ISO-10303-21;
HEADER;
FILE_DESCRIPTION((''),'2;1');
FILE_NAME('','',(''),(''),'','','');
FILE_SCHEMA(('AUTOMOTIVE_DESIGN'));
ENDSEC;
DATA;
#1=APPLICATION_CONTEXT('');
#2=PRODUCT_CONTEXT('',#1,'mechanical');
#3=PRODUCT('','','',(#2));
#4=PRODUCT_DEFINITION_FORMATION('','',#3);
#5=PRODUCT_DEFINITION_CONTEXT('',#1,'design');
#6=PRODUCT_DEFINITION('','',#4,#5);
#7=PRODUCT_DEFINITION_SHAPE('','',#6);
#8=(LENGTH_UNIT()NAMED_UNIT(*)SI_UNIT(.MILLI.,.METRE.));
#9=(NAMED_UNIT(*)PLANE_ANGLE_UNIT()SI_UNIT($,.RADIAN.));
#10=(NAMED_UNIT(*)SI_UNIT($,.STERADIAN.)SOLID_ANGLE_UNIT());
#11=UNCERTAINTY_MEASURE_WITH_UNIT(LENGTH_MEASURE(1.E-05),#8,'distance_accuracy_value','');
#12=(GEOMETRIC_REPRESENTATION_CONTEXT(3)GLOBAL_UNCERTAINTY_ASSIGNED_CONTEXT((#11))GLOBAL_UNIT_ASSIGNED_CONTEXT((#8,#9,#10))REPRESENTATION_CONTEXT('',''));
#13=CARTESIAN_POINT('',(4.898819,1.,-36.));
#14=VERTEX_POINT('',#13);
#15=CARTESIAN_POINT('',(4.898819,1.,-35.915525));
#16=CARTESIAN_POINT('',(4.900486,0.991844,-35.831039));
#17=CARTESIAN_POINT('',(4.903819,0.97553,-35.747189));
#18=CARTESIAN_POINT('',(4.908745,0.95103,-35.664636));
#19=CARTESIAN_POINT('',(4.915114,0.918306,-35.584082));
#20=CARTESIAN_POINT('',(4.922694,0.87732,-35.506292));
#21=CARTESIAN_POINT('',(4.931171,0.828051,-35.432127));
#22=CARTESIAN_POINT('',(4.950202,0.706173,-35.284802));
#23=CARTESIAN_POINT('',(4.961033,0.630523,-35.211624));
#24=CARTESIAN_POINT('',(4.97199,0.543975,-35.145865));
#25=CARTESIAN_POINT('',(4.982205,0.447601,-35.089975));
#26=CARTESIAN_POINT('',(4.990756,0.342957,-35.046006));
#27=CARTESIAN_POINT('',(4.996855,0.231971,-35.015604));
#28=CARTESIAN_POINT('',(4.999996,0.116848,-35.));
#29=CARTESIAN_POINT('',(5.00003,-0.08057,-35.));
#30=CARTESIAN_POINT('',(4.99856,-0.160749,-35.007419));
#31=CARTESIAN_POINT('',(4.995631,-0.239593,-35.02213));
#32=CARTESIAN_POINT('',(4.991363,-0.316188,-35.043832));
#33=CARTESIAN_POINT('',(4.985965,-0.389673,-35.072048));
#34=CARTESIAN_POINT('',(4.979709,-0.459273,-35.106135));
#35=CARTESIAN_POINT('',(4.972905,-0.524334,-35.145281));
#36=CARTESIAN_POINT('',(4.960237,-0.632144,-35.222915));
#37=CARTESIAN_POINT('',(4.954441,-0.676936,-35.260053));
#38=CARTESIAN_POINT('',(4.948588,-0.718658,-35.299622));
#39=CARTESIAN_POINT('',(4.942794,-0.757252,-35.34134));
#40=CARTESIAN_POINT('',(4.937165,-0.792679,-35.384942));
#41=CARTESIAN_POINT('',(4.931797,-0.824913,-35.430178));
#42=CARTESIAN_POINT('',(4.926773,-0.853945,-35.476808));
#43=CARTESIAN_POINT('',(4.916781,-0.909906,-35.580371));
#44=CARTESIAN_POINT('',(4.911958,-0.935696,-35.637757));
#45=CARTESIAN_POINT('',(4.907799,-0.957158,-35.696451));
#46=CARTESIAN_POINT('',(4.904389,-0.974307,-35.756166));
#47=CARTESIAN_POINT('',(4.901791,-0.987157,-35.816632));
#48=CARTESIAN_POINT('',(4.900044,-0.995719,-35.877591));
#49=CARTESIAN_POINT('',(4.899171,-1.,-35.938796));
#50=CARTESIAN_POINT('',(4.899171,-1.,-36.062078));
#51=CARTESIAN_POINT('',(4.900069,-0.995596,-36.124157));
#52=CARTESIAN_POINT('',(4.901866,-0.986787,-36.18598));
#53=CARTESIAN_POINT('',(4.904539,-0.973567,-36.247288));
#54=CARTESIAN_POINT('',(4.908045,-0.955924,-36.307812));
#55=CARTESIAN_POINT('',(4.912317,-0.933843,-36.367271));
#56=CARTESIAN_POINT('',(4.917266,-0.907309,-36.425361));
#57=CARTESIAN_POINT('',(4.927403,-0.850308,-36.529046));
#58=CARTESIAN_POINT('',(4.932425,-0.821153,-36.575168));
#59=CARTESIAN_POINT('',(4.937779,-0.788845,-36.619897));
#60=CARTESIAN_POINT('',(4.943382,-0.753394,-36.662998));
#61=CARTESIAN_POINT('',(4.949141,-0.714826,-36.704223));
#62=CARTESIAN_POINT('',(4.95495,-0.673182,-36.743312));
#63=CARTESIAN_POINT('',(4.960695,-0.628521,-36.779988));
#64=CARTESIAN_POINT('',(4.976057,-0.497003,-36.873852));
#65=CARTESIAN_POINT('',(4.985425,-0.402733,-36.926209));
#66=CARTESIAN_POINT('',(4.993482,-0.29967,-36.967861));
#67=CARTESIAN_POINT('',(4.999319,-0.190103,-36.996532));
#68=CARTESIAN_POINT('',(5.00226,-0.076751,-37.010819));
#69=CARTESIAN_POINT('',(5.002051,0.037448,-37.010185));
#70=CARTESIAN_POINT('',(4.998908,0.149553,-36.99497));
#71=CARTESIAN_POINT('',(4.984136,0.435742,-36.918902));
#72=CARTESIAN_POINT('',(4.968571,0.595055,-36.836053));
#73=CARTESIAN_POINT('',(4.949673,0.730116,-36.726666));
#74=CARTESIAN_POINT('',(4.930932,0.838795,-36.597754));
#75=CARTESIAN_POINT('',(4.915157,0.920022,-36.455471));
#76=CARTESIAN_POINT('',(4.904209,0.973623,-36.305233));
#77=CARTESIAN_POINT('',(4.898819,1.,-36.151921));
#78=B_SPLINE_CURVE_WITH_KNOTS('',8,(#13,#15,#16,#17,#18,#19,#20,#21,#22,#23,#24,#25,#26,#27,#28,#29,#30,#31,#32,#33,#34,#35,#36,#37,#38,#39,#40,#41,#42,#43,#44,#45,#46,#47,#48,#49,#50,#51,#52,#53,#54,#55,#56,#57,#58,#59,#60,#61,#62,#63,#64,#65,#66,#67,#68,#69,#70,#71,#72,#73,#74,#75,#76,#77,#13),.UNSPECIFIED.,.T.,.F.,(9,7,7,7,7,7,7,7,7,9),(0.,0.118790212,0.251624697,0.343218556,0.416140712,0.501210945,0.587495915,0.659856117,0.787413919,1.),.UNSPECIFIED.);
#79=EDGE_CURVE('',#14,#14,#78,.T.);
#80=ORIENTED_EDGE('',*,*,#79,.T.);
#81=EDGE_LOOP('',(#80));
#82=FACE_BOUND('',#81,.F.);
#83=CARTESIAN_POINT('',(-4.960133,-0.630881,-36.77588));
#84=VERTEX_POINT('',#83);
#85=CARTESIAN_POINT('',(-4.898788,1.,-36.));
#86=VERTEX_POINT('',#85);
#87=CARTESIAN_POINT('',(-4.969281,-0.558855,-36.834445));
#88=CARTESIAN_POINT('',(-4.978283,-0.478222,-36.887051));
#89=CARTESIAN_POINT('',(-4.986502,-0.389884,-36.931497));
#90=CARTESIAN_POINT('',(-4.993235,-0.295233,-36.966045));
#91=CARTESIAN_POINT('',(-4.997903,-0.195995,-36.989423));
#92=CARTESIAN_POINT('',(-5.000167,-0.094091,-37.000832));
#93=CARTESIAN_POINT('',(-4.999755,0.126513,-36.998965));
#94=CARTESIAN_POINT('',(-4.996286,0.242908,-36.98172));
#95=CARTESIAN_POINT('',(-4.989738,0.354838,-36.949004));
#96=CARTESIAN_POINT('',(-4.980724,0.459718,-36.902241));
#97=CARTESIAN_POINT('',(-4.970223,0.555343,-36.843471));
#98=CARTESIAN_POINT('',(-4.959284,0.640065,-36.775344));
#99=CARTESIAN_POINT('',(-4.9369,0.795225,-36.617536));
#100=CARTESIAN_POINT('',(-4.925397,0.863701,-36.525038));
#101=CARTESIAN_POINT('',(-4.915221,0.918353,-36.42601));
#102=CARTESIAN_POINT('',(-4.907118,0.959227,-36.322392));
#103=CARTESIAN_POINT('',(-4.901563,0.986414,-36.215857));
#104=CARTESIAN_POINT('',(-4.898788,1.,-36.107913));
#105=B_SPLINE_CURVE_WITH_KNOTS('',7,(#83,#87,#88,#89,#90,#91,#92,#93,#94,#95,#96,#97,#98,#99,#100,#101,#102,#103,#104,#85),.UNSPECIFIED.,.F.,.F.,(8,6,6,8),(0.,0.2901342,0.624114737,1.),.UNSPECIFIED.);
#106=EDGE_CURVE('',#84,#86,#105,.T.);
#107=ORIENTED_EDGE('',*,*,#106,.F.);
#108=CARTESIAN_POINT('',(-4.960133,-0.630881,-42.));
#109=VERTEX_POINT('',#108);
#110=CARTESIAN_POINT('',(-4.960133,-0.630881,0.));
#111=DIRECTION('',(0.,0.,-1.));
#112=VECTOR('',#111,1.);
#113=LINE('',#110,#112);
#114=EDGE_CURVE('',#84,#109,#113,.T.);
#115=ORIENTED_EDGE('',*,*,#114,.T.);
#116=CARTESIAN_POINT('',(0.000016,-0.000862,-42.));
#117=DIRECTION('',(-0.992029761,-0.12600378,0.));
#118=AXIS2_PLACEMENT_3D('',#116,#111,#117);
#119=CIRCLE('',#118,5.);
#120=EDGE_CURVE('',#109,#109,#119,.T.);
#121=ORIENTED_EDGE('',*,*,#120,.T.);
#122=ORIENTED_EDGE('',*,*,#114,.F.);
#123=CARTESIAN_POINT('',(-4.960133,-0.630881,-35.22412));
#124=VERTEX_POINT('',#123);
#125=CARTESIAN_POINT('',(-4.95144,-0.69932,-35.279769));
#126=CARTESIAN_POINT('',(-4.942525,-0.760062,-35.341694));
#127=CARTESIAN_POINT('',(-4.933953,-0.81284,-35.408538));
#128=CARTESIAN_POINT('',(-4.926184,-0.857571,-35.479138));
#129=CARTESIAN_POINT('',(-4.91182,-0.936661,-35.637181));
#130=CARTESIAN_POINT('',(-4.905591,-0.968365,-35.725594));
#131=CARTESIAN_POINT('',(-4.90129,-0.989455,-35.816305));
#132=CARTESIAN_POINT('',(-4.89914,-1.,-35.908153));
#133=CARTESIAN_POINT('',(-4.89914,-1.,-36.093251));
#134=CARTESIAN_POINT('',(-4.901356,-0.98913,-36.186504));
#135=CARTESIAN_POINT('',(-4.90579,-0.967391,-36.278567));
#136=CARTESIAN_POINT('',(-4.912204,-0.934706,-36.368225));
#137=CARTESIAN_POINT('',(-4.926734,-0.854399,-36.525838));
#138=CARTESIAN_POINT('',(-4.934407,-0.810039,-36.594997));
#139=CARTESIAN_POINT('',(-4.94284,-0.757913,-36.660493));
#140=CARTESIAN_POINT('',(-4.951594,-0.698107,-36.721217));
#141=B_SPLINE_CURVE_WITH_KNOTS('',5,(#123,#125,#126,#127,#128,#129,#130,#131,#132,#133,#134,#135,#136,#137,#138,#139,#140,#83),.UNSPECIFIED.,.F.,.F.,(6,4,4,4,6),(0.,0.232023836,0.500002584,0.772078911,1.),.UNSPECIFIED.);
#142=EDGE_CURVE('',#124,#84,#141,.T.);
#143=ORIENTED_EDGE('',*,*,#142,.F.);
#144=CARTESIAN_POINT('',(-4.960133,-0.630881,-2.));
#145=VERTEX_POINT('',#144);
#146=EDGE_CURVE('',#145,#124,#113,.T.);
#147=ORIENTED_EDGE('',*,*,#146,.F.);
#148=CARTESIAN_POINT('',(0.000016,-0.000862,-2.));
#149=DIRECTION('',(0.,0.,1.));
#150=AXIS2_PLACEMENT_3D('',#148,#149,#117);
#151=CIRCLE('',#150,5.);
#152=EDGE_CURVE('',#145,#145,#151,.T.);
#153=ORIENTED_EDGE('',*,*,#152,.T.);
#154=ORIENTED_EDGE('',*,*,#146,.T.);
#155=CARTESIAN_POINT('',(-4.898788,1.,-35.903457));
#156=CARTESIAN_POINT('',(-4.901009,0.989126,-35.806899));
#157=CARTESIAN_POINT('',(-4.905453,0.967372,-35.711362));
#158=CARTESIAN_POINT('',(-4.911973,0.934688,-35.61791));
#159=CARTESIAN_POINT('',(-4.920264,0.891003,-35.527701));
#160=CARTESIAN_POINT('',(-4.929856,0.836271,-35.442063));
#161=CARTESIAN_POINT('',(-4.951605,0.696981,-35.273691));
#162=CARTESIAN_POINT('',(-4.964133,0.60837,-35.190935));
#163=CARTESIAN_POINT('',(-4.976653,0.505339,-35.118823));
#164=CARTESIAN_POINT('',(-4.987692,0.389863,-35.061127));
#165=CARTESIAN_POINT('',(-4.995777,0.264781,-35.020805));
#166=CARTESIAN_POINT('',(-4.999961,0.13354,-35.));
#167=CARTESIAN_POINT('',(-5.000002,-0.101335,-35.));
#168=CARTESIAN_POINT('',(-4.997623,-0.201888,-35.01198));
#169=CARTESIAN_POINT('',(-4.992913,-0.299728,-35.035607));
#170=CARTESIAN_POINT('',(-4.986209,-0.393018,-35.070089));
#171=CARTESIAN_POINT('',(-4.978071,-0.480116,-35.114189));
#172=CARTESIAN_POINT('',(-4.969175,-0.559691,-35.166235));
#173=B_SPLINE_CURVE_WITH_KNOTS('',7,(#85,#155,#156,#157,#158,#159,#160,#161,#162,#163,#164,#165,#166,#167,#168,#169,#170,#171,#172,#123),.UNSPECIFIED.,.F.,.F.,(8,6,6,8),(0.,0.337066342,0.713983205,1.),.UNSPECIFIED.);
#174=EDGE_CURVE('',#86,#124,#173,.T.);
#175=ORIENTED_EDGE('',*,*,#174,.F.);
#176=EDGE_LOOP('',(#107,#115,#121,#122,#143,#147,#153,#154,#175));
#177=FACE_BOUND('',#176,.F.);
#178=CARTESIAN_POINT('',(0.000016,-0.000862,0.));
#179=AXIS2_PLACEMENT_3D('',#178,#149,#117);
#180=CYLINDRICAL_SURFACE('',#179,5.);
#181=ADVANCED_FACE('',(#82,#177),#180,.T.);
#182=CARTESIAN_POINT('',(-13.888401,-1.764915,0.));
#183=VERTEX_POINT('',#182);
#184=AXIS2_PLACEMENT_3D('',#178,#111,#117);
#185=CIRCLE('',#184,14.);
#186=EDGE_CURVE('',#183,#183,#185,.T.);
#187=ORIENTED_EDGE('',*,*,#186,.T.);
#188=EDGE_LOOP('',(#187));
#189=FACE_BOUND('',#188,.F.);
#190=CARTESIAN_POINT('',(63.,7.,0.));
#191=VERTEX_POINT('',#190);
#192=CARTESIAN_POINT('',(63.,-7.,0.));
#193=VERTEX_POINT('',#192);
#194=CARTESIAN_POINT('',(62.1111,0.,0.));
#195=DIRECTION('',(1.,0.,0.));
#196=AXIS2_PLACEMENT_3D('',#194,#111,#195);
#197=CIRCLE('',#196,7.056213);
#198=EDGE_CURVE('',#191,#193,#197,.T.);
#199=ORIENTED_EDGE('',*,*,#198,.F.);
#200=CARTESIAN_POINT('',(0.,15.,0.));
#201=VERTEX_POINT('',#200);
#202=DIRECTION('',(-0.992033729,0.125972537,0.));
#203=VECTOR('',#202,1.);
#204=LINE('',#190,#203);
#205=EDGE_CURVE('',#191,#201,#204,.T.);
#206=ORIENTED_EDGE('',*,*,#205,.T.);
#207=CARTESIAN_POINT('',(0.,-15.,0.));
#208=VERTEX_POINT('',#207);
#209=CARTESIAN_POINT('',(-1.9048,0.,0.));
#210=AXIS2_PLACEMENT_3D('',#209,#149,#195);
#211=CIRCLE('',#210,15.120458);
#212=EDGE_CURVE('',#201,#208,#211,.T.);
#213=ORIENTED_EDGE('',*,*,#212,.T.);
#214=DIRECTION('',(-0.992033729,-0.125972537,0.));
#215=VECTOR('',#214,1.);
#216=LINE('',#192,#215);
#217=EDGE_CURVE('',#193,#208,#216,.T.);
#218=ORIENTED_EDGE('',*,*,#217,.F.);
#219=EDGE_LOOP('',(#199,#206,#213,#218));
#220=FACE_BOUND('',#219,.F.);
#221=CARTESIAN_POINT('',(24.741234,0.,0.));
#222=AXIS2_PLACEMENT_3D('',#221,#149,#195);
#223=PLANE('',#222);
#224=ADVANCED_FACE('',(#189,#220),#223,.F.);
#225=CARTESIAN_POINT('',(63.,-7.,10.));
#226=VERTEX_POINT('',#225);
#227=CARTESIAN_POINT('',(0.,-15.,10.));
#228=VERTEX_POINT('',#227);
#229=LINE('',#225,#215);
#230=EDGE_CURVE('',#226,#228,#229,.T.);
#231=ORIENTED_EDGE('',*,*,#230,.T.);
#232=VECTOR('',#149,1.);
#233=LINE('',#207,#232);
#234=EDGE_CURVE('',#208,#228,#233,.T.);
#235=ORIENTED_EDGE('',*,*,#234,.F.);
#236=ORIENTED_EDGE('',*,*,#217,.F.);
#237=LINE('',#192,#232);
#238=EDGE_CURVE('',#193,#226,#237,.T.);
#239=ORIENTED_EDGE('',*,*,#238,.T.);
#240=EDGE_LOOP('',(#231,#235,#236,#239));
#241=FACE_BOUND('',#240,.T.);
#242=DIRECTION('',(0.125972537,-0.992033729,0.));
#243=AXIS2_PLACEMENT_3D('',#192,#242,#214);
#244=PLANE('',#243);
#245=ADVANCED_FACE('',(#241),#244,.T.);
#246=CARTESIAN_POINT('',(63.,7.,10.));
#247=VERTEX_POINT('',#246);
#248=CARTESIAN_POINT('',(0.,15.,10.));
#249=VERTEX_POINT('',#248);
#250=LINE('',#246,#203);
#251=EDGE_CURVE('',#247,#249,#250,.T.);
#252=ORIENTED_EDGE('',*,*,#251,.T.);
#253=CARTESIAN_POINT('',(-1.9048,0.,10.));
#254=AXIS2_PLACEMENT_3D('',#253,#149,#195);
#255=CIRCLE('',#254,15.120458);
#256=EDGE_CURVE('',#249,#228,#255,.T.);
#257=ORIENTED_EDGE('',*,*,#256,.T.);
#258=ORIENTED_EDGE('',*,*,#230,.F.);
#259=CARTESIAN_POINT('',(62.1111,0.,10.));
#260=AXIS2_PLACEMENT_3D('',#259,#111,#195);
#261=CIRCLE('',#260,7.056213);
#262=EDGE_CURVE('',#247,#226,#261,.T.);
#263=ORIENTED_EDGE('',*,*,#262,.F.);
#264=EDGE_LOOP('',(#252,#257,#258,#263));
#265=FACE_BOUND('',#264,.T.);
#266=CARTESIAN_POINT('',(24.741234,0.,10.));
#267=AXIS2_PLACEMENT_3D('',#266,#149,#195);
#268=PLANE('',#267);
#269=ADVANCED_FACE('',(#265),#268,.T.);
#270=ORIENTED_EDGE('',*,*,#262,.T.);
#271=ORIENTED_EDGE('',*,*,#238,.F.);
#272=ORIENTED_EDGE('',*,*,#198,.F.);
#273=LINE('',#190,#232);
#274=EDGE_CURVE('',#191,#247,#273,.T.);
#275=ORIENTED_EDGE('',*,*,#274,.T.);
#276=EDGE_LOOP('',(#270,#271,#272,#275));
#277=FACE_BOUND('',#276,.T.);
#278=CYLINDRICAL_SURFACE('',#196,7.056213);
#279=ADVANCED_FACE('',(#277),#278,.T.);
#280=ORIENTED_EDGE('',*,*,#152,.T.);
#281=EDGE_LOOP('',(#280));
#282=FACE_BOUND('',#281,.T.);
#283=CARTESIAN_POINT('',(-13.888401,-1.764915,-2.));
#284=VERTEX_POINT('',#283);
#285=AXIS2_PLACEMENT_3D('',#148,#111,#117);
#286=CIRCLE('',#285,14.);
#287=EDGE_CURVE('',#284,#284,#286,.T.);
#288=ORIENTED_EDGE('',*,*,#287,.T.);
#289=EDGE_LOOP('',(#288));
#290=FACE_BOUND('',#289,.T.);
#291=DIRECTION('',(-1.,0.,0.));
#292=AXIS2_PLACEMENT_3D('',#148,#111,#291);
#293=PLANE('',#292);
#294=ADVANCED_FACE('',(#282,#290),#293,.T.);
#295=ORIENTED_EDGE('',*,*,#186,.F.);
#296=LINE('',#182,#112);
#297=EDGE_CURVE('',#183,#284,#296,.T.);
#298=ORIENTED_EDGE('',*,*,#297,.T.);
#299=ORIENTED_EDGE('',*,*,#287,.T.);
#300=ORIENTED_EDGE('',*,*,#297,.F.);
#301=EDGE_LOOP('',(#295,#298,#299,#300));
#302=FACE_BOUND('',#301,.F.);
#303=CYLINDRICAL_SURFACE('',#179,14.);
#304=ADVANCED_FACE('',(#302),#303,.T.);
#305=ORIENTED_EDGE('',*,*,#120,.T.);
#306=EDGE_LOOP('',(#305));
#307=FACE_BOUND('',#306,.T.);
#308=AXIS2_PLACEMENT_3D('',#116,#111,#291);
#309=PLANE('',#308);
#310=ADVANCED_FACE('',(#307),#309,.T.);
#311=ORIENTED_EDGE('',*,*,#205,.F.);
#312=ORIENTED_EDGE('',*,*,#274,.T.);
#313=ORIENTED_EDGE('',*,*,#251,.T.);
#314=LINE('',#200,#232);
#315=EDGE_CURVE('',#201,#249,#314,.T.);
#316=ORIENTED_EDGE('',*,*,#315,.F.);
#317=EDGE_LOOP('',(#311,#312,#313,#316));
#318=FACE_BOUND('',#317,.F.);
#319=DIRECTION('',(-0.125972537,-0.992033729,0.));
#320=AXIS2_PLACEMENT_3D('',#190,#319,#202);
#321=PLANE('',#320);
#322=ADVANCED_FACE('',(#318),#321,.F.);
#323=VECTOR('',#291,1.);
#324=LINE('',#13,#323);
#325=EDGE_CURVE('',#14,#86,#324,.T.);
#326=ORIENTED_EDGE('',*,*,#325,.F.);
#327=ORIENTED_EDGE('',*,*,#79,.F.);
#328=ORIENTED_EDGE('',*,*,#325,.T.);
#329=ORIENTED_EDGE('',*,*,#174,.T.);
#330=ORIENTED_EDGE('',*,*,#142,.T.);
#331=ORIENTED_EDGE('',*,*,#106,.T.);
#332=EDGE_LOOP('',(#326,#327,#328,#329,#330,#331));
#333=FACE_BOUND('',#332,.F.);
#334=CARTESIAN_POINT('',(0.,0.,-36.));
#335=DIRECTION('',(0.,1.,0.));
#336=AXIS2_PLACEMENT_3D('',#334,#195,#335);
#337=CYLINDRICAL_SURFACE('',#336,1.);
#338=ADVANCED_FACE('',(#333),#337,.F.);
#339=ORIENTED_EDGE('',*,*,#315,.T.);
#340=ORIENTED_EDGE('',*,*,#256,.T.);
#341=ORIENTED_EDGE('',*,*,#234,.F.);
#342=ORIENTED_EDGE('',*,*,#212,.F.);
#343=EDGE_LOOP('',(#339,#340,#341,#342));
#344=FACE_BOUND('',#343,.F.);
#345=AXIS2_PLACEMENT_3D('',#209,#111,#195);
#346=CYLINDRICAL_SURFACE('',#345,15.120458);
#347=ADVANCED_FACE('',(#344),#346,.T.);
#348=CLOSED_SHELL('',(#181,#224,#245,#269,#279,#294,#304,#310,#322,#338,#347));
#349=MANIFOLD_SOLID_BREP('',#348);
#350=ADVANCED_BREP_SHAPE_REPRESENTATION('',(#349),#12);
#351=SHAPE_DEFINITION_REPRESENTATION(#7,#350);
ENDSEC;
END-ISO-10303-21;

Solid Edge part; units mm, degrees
sketch "Sketch1" plane through (0, 0, 0) normal (0, 0, 1) x (1, 0, 0)
  line L0 (63, 7) -> (0, 15)
  arc A0 (0, 15) -> (0, -15) centre (-1.9048, 0) ccw
  line L1 (63, -7) -> (0, -15)
  arc A1 (63, 7) -> (63, -7) centre (62.1111, 0) cw
extrude "Protrusion1" add sketch "Sketch1" along normal blind 10
sketch "Sketch2" plane through (26.0711, 0, 0) normal (0, 0, -1) x (-0.992, -0.126, 0)
  circle A0 centre (25.8634, 3.2842) radius 5
extrude "ExtrudedProtrusion_2" add sketch "Sketch2" along normal blind 42
sketch "Sketch3" plane through (0, 0, 0) normal (1, 0, 0) x (0, 1, 0)
  circle A0 centre (0, -36) radius 1
extrude "Cutout1" cut sketch "Sketch3" along normal mid plane 36.7222
sketch "Sketch4" plane through (26.0711, 0, 0) normal (0, 0, -1) x (-0.992, -0.126, 0)
  circle A0 centre (25.8634, 3.2842) radius 14
extrude "ExtrudedProtrusion_3" add sketch "Sketch4" along normal blind 2
